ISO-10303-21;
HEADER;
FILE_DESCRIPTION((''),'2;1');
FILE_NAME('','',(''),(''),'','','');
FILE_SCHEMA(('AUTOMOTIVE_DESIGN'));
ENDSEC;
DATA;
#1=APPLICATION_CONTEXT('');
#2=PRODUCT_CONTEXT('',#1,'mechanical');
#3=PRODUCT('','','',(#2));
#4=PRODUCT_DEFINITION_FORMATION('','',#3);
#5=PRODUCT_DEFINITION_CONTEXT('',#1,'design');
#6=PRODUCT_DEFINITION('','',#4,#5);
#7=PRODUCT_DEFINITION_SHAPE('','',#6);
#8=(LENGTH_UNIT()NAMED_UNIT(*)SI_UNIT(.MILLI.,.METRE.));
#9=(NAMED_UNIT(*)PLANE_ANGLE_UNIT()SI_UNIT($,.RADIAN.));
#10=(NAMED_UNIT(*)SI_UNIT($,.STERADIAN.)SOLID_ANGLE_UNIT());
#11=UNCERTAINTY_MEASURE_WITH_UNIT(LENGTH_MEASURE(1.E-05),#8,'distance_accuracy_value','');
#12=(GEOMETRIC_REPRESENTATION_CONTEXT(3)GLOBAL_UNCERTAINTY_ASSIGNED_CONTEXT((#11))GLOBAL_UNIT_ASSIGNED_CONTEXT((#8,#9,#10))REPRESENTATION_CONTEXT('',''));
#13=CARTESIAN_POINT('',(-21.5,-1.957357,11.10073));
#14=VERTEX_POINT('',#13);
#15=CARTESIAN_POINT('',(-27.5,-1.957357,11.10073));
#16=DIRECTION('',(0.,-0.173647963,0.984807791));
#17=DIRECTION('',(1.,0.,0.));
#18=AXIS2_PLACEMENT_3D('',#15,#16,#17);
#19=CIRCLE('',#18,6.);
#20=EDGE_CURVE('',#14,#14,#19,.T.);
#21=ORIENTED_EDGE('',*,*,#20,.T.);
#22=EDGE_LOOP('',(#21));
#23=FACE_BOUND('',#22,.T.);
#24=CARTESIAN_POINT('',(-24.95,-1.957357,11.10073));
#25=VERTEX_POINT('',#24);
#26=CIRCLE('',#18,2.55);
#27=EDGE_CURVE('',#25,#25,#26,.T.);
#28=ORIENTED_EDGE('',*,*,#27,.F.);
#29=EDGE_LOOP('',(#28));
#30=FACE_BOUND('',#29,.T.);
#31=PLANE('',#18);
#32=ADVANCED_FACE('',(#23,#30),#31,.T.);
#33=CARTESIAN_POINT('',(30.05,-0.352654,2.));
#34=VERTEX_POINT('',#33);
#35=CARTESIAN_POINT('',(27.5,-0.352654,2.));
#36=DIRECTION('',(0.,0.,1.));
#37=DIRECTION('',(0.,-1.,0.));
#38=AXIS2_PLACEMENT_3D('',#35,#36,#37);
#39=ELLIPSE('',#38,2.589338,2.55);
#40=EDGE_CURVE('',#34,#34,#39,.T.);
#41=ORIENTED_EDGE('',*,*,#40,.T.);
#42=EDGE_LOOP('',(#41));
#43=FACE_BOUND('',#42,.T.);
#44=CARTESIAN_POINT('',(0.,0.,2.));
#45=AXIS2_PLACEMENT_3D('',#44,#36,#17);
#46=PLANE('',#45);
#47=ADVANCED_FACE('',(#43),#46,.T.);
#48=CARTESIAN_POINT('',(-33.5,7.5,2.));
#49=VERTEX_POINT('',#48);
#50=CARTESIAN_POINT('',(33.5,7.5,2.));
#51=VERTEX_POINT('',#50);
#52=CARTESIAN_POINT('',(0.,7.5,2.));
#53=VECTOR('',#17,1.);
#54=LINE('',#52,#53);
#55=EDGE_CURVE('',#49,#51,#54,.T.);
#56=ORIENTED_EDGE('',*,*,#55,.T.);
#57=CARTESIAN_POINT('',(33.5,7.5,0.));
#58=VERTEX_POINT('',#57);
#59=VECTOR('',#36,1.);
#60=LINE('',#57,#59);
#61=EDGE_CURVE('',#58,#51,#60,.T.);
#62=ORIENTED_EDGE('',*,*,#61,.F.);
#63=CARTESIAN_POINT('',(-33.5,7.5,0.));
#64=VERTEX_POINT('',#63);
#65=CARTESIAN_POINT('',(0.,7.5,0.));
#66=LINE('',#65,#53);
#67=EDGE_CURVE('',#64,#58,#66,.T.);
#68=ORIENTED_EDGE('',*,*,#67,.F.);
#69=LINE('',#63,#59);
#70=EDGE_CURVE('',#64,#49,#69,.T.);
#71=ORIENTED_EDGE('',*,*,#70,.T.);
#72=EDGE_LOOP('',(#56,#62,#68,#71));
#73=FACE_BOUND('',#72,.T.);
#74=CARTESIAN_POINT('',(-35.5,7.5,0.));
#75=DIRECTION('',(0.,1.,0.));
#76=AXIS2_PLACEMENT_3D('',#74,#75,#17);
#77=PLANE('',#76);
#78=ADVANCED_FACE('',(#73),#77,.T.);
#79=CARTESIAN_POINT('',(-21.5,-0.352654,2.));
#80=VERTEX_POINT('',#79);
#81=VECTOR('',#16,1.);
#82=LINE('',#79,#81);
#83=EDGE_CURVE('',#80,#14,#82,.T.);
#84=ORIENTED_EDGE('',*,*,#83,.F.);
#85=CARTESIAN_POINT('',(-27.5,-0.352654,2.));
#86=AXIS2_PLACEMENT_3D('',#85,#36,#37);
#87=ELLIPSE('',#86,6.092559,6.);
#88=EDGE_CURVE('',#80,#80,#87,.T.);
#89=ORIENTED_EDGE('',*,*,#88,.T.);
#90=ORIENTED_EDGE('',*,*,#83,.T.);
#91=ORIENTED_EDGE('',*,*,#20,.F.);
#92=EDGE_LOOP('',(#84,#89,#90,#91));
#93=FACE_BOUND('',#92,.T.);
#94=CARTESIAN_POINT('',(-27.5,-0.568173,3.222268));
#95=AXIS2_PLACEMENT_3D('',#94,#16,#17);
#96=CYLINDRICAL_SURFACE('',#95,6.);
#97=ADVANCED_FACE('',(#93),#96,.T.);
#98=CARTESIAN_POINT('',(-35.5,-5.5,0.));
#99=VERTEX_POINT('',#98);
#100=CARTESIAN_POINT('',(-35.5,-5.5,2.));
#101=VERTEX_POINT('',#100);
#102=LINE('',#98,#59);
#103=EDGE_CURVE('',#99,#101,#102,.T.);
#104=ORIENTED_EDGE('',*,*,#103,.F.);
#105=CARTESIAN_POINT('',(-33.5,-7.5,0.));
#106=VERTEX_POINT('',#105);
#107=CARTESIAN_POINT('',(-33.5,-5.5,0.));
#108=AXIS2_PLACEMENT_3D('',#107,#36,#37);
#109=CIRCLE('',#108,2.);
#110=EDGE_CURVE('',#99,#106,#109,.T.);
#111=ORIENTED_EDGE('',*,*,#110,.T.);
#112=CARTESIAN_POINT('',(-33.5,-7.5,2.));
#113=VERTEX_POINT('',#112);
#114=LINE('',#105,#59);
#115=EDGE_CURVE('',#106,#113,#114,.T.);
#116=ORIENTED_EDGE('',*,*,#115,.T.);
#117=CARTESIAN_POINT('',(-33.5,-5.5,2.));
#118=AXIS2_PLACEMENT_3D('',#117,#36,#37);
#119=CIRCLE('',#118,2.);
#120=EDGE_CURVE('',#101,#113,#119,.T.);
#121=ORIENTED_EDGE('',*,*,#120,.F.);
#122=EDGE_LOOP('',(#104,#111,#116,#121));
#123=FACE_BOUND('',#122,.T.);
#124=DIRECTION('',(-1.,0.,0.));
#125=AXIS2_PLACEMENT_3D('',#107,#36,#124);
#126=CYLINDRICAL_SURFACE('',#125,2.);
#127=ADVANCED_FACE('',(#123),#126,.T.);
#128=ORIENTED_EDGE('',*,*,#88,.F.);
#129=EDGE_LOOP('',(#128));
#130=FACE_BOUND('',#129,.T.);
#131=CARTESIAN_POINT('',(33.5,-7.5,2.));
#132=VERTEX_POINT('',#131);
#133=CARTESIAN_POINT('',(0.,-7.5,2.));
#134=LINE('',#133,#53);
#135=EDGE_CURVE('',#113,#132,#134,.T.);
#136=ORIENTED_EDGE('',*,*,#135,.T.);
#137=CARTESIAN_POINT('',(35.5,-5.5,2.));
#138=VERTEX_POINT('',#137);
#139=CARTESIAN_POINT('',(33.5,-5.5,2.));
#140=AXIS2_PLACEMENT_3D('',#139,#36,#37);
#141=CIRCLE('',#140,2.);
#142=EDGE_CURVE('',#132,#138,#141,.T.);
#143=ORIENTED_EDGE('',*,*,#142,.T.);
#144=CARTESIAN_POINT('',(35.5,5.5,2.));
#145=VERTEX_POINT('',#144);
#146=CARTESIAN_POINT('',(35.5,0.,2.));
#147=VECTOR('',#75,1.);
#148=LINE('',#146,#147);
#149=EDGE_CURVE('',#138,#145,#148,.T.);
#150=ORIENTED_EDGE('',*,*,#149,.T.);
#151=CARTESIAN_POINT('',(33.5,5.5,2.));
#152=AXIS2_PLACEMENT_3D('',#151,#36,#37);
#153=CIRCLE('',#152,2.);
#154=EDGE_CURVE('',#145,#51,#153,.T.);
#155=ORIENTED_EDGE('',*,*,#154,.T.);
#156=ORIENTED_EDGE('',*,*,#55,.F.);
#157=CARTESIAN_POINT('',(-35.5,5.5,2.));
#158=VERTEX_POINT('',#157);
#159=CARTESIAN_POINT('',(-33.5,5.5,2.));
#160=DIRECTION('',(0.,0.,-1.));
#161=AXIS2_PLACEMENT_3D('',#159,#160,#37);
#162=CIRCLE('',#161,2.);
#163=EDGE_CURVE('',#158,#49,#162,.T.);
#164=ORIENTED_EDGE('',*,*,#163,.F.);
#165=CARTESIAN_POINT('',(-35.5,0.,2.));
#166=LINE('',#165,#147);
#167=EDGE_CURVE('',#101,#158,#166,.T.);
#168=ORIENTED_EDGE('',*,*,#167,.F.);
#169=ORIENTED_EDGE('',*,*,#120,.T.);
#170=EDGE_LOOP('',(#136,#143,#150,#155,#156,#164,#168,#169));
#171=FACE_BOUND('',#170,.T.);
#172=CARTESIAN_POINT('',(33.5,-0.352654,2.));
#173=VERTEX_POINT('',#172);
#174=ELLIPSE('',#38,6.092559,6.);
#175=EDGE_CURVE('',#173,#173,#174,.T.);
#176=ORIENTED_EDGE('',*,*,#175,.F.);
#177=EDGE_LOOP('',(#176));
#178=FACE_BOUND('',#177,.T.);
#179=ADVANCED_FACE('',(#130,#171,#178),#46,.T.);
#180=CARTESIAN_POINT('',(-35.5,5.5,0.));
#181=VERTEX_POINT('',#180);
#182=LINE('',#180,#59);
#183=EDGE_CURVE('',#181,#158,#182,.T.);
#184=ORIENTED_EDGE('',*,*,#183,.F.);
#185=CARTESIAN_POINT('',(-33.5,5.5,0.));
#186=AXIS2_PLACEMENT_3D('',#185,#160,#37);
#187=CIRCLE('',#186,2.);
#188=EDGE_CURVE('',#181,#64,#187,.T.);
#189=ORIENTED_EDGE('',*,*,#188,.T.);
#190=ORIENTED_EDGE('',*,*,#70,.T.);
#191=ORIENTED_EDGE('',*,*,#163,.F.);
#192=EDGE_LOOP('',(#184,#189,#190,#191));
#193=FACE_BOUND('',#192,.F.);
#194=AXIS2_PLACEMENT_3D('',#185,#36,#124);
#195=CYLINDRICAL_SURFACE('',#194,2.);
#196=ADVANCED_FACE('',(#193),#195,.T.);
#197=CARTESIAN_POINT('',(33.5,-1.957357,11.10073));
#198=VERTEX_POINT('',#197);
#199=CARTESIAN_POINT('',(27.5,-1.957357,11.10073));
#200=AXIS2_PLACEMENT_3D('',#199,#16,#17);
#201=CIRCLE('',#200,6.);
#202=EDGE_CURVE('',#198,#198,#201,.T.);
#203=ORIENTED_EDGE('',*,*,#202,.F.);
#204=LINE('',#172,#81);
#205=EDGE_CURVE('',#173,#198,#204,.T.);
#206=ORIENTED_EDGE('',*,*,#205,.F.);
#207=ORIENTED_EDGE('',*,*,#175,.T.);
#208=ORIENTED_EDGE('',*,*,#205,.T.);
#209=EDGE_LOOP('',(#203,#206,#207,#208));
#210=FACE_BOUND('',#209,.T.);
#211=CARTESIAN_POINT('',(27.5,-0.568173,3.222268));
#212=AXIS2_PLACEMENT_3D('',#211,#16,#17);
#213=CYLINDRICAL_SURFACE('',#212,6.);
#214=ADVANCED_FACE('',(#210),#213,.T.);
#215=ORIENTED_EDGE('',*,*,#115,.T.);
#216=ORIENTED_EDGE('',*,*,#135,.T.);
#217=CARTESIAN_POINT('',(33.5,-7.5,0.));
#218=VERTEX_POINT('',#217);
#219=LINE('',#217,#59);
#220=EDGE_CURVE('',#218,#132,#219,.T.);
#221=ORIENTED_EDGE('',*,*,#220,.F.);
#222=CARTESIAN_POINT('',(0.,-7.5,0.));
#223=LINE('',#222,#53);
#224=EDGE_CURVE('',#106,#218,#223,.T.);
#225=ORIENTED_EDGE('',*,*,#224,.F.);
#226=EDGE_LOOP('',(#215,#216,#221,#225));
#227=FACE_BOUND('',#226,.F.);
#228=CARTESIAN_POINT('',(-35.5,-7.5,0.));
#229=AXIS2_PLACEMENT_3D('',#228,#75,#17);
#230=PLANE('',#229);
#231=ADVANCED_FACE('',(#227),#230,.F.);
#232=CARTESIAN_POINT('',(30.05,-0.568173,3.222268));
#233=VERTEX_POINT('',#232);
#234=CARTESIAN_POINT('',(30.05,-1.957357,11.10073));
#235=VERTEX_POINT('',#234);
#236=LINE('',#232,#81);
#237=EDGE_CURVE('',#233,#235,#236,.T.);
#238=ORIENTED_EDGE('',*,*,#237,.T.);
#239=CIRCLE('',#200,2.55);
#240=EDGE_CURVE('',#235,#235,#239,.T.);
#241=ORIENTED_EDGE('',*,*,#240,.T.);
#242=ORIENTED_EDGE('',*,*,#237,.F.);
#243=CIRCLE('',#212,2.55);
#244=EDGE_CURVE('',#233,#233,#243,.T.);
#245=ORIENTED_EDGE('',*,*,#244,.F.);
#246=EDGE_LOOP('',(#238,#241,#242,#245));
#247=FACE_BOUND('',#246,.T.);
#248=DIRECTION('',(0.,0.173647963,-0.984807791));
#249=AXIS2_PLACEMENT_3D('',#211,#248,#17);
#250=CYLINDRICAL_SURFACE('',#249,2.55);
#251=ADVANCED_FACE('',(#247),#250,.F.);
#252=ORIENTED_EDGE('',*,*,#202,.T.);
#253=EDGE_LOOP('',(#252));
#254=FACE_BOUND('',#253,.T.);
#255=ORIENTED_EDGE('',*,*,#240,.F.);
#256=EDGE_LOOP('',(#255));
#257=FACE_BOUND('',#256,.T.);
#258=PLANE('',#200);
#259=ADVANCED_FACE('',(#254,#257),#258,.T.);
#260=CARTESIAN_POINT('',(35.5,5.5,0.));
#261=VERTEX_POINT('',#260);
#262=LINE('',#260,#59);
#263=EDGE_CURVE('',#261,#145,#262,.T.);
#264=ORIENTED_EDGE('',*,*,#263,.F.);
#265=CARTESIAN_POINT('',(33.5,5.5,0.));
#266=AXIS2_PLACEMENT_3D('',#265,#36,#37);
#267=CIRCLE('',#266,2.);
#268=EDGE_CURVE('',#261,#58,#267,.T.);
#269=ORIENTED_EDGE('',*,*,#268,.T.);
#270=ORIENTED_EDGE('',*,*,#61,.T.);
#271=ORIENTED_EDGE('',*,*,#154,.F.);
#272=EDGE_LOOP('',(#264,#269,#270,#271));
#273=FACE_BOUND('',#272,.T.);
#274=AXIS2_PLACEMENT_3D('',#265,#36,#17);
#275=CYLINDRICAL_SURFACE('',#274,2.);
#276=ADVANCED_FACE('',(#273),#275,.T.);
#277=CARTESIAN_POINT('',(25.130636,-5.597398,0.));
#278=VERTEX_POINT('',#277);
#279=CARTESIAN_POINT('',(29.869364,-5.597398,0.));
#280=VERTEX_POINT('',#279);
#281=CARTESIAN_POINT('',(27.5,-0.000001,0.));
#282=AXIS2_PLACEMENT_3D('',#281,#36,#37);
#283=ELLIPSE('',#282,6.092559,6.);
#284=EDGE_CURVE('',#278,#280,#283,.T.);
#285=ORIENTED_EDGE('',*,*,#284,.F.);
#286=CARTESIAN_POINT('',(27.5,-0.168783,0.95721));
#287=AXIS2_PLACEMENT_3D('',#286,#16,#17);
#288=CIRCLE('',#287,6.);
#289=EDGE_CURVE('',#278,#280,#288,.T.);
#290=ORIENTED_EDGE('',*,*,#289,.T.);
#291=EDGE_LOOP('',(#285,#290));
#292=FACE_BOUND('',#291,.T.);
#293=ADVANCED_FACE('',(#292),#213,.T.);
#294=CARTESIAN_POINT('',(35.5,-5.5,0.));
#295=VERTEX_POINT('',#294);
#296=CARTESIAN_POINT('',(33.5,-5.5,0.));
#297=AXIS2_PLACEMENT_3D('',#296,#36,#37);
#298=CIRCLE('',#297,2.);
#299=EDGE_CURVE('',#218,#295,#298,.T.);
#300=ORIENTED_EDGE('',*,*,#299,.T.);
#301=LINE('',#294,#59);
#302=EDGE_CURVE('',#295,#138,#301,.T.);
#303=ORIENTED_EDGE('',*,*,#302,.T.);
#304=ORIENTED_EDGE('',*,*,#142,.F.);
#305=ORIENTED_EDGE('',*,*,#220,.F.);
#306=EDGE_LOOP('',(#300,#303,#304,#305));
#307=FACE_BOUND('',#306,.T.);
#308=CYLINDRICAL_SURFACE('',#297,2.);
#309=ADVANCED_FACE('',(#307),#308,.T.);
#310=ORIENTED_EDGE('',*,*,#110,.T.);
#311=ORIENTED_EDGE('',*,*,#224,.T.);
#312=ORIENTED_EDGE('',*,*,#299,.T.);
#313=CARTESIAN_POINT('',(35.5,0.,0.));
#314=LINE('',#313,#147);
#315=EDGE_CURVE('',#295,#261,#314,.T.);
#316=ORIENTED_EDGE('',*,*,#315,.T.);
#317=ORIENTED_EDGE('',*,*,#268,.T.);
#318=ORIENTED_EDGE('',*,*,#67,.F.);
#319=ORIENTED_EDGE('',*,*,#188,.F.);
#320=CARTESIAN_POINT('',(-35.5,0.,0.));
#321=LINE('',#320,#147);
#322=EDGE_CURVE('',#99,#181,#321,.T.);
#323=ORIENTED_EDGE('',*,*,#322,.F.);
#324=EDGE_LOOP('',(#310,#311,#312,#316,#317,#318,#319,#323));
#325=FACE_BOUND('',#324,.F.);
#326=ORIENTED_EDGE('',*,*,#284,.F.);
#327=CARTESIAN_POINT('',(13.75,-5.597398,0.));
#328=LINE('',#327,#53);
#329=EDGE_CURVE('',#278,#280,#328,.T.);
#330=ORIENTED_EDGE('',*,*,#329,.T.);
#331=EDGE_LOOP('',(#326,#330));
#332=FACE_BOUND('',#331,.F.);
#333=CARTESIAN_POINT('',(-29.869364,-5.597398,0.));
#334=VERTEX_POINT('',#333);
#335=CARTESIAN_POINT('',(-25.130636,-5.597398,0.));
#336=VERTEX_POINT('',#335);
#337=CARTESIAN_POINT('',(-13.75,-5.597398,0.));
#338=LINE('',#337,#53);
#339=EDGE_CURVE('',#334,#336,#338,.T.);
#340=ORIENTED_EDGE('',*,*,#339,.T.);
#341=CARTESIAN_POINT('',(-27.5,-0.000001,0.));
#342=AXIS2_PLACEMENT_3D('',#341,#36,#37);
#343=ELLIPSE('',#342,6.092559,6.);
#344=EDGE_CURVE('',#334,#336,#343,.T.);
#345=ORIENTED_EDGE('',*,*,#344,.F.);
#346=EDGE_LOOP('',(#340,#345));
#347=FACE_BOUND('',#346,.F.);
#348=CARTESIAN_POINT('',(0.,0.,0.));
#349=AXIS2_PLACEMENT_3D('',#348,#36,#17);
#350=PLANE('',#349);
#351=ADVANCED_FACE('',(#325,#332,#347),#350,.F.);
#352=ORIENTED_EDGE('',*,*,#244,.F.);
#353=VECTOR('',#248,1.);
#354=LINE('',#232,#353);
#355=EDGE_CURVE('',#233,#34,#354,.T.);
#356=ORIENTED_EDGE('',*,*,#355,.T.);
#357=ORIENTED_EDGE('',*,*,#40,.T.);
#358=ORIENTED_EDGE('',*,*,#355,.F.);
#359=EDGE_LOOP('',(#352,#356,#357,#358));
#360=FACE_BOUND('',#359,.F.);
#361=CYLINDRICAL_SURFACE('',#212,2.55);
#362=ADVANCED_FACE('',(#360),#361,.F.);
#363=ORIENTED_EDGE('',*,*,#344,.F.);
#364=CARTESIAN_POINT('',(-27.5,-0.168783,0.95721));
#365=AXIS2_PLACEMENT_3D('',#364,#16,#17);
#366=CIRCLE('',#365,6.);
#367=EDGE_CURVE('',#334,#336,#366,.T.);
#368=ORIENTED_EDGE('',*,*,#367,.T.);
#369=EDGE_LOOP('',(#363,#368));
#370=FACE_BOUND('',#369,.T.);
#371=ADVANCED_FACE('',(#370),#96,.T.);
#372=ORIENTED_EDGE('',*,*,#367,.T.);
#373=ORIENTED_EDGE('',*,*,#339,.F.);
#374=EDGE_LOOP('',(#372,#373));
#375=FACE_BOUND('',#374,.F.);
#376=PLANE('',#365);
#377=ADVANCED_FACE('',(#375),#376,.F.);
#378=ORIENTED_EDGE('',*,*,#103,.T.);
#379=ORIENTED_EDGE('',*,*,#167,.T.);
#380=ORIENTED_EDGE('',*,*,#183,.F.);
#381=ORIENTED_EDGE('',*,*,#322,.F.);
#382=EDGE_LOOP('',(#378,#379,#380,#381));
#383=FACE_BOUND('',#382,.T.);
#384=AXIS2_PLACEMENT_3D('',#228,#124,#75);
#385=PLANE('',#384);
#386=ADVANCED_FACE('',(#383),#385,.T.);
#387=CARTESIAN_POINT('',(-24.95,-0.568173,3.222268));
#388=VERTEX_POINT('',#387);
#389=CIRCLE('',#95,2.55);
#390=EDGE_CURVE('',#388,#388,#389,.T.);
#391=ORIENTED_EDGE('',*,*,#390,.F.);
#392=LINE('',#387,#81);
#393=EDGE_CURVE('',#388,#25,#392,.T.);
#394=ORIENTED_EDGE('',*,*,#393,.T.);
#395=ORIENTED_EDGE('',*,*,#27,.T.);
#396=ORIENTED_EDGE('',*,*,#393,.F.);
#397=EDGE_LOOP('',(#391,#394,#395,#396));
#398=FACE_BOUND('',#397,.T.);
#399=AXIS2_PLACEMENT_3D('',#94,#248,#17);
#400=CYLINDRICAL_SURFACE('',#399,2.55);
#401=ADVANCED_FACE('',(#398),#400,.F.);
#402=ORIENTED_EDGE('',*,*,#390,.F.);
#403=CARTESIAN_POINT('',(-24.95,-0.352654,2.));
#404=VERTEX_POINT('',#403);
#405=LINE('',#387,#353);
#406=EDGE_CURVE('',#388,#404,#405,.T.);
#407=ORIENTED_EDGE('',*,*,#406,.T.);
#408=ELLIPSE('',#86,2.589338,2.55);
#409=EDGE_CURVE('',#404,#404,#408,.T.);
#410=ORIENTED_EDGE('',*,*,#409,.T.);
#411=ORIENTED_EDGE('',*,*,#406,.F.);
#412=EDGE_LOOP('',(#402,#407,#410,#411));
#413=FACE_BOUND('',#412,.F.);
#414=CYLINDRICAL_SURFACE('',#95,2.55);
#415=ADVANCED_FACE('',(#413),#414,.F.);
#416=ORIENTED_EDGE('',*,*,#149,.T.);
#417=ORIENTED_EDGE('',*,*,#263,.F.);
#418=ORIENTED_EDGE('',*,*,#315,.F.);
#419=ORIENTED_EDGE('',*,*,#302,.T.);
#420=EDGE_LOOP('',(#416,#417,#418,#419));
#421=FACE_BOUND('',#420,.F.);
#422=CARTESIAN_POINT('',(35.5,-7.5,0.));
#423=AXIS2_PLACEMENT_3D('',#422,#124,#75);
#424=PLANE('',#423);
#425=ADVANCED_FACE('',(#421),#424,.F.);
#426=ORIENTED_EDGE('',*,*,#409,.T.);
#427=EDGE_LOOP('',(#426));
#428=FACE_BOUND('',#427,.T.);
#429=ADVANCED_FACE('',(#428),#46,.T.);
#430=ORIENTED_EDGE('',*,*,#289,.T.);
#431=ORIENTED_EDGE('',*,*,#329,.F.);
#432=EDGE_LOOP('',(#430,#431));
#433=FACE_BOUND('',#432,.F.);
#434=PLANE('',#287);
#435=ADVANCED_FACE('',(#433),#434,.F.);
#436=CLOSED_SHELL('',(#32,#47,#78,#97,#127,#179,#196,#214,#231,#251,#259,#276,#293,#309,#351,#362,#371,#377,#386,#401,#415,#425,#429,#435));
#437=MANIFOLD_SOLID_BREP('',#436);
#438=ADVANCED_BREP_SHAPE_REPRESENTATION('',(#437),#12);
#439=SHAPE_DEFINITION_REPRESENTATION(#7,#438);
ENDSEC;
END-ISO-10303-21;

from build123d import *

# Parameters (mm, degrees)
F0_W          = 71
F0_H          = 15
F1_DEPTH      = 2
F2_R          = 2
F4_R          = 6
F4_R_2        = 2.55
F5_DEPTH      = 8
F5_DEPTH_BACK = 2.3


with BuildPart() as f1:
    # F0 (on Top) → F1 (new body)
    with BuildSketch(Plane.XY):
        Rectangle(F0_W, F0_H)
    extrude(amount=F1_DEPTH)

    # F2
    f2_edges = [f1.edges().sort_by_distance(p)[0] for p in [
        (-35.5, 7.5, 1),
        (-35.5, -7.5, 1),
        (35.5, -7.5, 1),
        (35.5, 7.5, 1),
    ]]
    fillet(f2_edges, radius=F2_R)

    # F4 (on face) → F5 (join, two sides)
    with BuildSketch(Plane(origin=(0, -0.568173, 3.222268), x_dir=(1, 0, 0), z_dir=(0, -0.173648, 0.984808))) as f5_sk:
        with Locations((-27.5, 0)):
            Circle(F4_R)
        with Locations((-27.5, 0)):
            Circle(F4_R_2, mode=Mode.SUBTRACT)
        with Locations((27.5, 0)):
            Circle(F4_R)
        with Locations((27.5, 0)):
            Circle(F4_R_2, mode=Mode.SUBTRACT)
    extrude(amount=F5_DEPTH)
    extrude(f5_sk.sketch, amount=-F5_DEPTH_BACK)


solid = f1.part
